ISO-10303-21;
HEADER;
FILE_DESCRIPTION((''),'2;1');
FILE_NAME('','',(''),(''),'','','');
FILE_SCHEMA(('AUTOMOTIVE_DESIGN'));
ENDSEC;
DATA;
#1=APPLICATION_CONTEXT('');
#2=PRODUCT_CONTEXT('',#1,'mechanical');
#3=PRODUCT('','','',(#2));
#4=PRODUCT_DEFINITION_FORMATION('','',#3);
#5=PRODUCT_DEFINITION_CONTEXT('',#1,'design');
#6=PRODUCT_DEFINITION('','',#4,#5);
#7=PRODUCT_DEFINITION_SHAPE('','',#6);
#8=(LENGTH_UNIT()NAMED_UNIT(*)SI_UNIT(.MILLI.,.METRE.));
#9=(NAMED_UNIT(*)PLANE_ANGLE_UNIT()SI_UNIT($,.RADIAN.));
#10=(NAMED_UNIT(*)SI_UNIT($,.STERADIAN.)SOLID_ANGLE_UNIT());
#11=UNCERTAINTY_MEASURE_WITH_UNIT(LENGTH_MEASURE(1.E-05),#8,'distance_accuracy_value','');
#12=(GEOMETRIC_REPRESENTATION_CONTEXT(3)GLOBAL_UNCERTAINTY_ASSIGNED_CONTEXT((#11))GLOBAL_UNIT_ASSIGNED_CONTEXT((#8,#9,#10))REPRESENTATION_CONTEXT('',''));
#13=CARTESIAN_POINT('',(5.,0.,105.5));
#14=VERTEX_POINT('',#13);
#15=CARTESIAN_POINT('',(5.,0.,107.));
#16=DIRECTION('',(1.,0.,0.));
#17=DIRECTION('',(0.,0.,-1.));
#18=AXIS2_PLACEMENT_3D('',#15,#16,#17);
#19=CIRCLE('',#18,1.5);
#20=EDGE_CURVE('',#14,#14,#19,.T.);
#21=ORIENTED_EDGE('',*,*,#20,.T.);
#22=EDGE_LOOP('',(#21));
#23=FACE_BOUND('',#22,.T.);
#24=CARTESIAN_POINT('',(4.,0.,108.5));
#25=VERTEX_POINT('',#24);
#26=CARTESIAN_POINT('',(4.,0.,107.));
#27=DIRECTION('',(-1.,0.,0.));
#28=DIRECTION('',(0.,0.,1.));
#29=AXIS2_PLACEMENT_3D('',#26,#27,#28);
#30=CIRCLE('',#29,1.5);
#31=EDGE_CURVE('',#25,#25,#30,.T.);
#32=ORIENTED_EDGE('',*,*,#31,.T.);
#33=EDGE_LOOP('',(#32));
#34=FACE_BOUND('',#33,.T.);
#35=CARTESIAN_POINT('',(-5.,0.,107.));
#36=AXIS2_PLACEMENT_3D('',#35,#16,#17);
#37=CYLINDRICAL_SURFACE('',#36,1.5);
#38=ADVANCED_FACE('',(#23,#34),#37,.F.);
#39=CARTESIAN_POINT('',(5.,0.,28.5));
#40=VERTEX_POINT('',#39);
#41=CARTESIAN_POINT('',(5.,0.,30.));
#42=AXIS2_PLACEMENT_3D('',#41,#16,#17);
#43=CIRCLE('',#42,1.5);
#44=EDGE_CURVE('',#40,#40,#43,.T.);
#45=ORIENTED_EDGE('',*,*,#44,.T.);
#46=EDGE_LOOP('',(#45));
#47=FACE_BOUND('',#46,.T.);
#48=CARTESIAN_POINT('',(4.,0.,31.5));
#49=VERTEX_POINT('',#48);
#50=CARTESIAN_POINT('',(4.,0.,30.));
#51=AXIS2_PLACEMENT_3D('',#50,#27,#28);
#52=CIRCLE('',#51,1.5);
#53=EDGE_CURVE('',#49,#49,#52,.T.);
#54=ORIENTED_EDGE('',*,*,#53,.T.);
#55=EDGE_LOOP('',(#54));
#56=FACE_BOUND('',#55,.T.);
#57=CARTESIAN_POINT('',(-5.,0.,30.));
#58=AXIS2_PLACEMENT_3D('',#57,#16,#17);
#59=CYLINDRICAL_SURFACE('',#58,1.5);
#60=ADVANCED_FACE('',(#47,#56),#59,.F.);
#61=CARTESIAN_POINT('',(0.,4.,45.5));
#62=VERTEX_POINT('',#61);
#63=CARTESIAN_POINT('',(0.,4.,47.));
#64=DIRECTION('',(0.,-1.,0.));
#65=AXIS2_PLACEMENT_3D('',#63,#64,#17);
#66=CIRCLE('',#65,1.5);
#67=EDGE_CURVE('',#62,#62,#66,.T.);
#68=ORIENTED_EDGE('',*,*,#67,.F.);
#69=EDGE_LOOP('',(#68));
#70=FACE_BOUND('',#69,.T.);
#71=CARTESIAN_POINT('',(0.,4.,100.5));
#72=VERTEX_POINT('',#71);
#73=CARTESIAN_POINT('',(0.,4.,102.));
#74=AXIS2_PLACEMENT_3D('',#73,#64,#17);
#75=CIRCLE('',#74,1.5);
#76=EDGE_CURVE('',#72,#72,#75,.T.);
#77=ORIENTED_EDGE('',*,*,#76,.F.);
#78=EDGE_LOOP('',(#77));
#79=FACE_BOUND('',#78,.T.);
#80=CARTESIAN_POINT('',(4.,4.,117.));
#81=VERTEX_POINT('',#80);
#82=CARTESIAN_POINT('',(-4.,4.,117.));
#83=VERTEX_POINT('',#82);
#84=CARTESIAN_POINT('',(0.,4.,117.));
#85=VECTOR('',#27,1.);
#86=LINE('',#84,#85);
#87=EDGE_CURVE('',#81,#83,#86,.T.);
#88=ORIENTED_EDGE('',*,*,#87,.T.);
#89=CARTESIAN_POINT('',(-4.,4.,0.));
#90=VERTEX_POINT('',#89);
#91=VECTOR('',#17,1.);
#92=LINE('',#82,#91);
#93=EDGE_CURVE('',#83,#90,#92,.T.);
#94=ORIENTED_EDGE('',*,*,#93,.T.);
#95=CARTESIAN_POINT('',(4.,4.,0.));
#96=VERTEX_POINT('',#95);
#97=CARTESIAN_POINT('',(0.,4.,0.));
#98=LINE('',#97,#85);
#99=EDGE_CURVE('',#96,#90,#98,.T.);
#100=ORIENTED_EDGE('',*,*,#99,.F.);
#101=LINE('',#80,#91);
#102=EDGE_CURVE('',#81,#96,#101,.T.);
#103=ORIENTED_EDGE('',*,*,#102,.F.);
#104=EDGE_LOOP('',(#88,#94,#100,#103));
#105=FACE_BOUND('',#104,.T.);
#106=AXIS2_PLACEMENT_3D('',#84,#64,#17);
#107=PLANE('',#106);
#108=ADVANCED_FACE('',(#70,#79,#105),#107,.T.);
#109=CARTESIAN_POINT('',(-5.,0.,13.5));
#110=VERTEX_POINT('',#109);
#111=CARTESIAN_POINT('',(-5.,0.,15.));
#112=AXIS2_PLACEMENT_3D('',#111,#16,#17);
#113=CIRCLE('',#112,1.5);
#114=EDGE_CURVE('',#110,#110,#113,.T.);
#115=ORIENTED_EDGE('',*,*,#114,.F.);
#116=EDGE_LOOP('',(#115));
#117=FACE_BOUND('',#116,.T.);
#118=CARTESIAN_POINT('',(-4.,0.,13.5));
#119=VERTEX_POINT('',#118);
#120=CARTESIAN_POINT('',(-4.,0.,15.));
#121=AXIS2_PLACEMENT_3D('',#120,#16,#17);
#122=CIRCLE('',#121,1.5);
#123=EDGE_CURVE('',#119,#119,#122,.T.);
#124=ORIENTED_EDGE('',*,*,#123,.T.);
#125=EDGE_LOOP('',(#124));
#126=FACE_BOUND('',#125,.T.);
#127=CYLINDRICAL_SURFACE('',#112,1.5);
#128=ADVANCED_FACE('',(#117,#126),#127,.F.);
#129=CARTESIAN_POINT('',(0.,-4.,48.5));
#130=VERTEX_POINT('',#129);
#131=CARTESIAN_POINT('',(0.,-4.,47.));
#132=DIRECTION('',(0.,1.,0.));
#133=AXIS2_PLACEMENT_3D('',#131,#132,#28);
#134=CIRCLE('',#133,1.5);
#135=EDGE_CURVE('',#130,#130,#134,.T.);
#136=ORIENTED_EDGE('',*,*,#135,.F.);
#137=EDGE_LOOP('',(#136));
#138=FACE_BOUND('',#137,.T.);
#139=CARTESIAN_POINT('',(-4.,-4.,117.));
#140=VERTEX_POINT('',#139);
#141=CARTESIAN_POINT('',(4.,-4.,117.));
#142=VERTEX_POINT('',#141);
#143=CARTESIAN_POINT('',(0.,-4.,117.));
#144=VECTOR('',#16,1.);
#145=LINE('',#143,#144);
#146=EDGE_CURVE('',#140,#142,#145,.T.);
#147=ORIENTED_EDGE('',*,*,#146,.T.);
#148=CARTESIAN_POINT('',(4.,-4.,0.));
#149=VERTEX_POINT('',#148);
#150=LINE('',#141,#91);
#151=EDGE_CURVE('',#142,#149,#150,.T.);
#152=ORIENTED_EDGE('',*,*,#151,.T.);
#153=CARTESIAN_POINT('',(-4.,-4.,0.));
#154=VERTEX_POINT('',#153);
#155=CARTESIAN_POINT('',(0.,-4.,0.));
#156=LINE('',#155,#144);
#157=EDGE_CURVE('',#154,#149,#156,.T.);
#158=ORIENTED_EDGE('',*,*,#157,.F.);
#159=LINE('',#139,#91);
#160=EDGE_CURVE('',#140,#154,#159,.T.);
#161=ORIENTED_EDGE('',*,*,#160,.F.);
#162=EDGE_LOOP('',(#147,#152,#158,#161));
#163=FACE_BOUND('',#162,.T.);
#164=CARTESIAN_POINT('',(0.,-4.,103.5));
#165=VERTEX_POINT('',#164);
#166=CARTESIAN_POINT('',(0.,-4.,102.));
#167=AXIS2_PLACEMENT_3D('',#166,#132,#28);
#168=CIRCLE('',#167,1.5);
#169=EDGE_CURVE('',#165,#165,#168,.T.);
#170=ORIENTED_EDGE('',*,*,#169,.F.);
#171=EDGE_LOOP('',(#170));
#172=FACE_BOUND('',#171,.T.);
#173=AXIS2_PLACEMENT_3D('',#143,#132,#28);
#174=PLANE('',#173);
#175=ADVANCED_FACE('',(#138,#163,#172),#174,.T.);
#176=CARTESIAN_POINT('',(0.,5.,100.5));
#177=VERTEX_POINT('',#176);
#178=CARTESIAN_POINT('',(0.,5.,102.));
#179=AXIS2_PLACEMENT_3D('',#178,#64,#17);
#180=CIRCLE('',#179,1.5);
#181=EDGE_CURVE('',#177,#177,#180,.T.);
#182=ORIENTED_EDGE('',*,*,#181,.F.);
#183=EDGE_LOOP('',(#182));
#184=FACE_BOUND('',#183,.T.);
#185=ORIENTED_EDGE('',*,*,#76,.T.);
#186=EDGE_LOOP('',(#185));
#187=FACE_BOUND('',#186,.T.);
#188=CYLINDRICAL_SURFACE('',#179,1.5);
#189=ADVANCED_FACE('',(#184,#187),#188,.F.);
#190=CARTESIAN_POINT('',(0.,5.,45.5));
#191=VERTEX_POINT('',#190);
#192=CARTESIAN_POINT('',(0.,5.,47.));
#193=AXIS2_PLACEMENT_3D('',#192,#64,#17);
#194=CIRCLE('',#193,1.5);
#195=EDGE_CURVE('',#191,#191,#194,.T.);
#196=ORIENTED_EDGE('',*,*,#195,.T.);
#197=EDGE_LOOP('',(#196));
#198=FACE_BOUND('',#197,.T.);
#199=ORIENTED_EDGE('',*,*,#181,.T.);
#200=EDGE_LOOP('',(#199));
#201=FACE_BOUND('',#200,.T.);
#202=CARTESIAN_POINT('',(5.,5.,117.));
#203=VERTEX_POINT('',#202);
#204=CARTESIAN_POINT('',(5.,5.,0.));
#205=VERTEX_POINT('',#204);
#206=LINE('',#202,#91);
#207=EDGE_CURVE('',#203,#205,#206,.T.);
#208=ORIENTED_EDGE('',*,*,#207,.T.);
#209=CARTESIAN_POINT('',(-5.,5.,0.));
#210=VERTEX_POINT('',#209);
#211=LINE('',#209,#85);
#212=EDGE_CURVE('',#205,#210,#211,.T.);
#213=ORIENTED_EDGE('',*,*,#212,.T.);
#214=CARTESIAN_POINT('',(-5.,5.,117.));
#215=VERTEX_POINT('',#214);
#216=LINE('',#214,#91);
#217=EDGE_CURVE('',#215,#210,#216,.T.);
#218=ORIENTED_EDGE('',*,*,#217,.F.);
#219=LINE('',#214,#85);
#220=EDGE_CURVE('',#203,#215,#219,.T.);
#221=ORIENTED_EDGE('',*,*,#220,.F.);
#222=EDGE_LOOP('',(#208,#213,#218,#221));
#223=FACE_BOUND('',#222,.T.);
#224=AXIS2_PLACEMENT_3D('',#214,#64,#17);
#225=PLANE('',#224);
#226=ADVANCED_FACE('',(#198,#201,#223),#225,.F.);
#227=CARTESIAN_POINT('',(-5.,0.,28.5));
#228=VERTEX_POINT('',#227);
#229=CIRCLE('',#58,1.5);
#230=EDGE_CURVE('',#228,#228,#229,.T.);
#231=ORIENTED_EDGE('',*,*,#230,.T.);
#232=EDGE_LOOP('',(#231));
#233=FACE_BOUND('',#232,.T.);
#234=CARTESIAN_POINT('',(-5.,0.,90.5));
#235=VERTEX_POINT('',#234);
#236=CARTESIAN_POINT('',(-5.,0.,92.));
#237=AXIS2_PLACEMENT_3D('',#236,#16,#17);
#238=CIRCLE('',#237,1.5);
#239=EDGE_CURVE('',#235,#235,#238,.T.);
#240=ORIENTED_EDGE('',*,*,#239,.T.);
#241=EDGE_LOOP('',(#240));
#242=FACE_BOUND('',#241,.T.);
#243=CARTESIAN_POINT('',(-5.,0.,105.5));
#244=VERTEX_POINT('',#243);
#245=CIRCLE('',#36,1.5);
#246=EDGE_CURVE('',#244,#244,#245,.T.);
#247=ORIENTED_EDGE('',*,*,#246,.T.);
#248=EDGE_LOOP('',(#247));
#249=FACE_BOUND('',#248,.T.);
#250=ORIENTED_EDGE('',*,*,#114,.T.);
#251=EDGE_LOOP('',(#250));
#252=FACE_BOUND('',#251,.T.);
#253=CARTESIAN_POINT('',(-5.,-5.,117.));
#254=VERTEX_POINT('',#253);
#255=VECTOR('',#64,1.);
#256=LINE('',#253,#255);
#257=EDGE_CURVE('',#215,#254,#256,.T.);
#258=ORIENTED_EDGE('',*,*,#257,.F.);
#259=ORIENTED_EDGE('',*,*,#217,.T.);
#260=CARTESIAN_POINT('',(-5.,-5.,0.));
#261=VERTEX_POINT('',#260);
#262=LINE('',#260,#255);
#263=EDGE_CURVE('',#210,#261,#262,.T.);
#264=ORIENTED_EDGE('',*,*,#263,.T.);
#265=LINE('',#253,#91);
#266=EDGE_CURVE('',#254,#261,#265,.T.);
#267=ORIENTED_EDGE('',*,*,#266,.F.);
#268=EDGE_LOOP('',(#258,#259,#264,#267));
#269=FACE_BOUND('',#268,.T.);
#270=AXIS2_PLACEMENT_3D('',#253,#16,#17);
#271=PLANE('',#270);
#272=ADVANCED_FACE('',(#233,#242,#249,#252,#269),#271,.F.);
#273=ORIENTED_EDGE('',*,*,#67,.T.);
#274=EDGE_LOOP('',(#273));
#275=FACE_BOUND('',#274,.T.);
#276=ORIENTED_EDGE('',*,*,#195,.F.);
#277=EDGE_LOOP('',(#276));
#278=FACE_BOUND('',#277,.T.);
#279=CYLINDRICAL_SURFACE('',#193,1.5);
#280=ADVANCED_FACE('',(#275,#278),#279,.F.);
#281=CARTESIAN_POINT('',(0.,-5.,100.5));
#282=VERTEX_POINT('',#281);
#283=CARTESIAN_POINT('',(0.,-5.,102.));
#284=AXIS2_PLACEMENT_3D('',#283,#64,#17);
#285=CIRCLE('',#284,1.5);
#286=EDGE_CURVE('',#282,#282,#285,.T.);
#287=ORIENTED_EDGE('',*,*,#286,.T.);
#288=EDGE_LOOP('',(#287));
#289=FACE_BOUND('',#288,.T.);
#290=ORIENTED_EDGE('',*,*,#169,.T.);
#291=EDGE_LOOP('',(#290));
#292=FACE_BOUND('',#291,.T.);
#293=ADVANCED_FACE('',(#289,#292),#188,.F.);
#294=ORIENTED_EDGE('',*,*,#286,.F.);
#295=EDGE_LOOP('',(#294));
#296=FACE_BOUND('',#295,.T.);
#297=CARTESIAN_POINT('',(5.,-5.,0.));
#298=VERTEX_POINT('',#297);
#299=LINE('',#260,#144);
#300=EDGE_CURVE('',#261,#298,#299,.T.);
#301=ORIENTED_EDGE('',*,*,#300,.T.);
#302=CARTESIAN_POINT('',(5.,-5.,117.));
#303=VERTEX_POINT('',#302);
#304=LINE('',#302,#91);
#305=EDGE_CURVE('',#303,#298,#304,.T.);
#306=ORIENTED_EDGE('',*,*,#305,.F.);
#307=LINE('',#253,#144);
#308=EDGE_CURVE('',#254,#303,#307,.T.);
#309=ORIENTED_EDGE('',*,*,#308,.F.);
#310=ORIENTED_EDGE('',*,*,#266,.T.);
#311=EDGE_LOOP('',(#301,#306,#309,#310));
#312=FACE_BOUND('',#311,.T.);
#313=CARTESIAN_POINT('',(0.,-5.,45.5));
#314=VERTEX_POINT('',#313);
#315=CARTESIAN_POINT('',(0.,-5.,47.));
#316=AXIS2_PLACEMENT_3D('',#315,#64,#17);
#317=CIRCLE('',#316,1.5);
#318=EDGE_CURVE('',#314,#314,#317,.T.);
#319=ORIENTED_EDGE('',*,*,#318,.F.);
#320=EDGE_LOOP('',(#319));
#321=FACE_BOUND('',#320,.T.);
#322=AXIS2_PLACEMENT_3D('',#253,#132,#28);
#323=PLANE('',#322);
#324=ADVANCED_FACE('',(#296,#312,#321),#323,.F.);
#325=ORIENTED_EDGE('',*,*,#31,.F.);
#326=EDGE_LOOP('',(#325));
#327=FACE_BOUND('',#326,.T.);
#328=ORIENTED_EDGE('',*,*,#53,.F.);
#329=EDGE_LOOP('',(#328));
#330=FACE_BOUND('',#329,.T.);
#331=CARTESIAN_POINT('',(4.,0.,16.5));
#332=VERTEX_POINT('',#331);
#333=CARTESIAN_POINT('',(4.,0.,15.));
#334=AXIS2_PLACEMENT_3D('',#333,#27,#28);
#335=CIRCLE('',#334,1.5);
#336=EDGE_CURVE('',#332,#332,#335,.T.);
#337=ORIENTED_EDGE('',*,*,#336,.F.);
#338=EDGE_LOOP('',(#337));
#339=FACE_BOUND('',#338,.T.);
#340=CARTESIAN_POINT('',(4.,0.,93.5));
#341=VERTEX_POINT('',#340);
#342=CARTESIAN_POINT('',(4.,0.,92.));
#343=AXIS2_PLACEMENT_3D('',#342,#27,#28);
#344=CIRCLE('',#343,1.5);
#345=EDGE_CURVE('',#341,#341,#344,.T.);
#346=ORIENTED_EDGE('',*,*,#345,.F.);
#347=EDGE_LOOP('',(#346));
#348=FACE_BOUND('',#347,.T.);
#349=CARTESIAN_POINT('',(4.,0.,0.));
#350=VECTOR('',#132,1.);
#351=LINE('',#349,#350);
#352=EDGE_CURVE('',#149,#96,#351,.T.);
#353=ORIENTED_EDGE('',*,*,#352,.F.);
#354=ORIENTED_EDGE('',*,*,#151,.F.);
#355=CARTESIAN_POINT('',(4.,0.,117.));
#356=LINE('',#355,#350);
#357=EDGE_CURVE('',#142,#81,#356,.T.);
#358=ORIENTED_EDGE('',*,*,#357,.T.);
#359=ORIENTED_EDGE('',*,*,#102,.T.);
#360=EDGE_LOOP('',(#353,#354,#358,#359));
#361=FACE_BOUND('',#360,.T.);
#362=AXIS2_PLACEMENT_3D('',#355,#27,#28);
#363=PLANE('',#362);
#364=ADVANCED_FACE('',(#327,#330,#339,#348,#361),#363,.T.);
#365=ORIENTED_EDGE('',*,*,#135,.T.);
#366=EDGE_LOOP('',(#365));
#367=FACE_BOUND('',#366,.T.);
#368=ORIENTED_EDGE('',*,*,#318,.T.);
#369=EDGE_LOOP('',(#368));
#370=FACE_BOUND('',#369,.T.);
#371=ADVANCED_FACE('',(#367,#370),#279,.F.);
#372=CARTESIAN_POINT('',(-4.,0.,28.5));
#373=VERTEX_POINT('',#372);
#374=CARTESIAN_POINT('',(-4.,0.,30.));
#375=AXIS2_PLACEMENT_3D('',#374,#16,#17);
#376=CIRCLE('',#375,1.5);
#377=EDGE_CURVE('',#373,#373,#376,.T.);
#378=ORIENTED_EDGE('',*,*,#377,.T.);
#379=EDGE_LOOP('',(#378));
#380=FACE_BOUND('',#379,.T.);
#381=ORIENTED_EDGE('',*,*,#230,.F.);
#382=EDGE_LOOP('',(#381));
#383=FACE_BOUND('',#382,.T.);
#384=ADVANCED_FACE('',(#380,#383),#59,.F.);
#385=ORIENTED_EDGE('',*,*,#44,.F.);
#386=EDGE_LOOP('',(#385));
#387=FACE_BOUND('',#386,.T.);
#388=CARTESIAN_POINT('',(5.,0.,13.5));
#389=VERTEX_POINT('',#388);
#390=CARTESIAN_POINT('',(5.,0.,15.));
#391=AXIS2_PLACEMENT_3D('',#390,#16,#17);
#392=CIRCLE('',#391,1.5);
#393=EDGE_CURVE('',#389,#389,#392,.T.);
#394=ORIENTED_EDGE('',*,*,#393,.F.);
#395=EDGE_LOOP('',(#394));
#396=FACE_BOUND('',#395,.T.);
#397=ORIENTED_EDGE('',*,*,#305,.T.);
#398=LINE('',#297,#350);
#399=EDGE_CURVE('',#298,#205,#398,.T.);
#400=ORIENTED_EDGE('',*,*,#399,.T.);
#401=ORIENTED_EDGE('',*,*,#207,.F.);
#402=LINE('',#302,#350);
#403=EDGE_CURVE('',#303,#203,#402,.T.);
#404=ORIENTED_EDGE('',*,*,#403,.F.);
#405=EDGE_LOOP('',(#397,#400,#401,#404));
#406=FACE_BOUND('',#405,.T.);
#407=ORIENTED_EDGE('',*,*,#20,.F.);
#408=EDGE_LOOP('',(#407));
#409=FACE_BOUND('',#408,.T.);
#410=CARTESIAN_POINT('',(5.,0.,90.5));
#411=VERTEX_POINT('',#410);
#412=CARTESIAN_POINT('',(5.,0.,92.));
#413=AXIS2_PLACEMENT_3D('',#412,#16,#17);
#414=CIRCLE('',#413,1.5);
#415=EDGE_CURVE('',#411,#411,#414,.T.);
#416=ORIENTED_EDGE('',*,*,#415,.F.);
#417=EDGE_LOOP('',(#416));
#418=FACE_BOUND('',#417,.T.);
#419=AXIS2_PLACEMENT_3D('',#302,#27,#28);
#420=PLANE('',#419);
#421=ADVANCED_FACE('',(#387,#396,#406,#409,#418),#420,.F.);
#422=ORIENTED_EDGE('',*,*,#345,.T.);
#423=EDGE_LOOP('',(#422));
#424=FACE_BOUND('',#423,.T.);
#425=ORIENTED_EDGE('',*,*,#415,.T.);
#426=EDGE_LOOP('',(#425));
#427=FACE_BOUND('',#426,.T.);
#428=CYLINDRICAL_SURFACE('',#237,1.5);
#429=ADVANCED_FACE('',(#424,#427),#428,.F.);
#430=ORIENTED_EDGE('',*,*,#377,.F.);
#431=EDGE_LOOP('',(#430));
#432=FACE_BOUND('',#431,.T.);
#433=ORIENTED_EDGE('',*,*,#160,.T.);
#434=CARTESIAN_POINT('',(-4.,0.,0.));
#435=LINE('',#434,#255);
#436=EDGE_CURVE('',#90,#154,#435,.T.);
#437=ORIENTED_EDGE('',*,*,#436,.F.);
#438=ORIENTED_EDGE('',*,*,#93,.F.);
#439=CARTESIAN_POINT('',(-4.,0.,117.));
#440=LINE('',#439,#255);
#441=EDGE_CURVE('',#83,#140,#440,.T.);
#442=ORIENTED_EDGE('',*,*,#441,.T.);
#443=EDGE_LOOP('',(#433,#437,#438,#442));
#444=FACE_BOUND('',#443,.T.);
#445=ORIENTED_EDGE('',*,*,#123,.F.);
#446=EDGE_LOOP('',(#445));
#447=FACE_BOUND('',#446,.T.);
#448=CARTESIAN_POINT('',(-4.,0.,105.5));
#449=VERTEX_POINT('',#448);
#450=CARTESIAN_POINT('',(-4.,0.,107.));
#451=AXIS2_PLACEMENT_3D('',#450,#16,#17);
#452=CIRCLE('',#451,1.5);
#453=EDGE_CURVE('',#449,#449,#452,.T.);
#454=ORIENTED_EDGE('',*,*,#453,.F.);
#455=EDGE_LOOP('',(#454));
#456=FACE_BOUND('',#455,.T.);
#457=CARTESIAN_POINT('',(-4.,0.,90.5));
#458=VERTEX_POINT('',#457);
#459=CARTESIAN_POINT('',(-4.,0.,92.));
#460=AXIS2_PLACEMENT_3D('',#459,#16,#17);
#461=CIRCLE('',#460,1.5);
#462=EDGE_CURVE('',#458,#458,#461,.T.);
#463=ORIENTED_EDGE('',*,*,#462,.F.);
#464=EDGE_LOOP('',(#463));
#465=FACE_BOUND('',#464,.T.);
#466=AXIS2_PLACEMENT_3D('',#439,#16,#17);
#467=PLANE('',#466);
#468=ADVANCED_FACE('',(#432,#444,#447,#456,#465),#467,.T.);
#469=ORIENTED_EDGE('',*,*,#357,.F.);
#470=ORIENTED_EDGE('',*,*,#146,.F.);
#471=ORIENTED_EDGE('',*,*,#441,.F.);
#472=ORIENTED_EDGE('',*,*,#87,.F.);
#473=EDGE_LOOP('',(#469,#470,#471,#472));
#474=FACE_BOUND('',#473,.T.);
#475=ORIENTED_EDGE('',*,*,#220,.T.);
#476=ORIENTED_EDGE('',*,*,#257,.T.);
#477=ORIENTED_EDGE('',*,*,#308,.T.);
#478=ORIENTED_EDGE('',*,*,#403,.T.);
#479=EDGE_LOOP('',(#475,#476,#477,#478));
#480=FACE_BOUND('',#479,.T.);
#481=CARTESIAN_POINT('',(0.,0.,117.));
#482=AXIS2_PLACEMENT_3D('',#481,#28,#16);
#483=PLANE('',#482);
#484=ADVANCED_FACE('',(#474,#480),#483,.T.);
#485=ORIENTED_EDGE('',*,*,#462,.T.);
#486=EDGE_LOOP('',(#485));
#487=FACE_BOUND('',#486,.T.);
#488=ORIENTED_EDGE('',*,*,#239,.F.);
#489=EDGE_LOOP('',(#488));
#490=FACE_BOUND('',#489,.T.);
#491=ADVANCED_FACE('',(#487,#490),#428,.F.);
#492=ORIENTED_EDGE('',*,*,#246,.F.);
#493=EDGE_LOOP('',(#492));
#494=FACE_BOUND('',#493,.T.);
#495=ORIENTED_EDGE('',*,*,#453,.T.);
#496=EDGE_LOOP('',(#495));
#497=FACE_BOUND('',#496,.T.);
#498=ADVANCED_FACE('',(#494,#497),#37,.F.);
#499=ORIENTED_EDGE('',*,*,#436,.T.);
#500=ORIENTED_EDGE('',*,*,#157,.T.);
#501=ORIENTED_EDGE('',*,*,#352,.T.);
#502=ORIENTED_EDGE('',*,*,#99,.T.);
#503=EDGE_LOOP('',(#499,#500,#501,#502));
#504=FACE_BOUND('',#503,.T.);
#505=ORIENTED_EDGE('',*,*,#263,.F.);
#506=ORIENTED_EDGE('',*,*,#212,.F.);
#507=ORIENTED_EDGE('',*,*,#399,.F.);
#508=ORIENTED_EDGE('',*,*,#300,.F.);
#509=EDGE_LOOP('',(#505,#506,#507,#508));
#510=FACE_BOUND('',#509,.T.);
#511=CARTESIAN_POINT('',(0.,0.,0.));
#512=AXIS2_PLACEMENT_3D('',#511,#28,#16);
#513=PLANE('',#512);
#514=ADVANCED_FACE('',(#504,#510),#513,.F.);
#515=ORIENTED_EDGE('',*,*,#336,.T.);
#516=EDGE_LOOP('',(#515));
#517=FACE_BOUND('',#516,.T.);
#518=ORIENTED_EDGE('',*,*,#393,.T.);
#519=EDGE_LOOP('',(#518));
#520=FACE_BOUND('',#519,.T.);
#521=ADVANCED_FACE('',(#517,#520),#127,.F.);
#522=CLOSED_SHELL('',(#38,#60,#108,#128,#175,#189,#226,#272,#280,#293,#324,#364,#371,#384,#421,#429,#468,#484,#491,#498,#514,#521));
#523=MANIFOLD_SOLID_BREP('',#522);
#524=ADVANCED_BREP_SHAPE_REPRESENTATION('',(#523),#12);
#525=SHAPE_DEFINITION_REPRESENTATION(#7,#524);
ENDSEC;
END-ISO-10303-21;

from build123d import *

# Parameters (mm, degrees)
SKETCH_1_W          = 10
SKETCH_1_H          = 10
SKETCH_1_W_2        = 8
SKETCH_1_H_2        = 8
EXTRUDE_1_DEPTH     = 117
SKETCH_2_R          = 1.5
CUT_EXTRUDE_1_DEPTH = 11
SKETCH_3_R          = 1.5
CUT_EXTRUDE_2_DEPTH = 10


with BuildPart() as part:
    # 草图1 → 拉伸-薄壁1 (new body)
    with BuildSketch(Plane.XY):
        Rectangle(SKETCH_1_W, SKETCH_1_H)
        Rectangle(SKETCH_1_W_2, SKETCH_1_H_2, mode=Mode.SUBTRACT)
    extrude(amount=EXTRUDE_1_DEPTH)

    # 草图2 → 切除-拉伸1 (cut, through all)
    with BuildSketch(Plane(origin=(5, 0, 0), x_dir=(0, 0, -1), z_dir=(1, 0, 0))):
        with Locations((-15, 0)):
            Circle(SKETCH_2_R)
        with Locations((-30, 0)):
            Circle(SKETCH_2_R)
        with Locations((-107, 0)):
            Circle(SKETCH_2_R)
        with Locations((-92, 0)):
            Circle(SKETCH_2_R)
    extrude(amount=-CUT_EXTRUDE_1_DEPTH, mode=Mode.SUBTRACT)

    # 草图3 → 切除-拉伸2 (cut)
    with BuildSketch(Plane.XZ.offset(5)):
        with Locations((0, 102)):
            Circle(SKETCH_3_R)
        with Locations((0, 47)):
            Circle(SKETCH_3_R)
    extrude(amount=-CUT_EXTRUDE_2_DEPTH, mode=Mode.SUBTRACT)


solid = part.part
